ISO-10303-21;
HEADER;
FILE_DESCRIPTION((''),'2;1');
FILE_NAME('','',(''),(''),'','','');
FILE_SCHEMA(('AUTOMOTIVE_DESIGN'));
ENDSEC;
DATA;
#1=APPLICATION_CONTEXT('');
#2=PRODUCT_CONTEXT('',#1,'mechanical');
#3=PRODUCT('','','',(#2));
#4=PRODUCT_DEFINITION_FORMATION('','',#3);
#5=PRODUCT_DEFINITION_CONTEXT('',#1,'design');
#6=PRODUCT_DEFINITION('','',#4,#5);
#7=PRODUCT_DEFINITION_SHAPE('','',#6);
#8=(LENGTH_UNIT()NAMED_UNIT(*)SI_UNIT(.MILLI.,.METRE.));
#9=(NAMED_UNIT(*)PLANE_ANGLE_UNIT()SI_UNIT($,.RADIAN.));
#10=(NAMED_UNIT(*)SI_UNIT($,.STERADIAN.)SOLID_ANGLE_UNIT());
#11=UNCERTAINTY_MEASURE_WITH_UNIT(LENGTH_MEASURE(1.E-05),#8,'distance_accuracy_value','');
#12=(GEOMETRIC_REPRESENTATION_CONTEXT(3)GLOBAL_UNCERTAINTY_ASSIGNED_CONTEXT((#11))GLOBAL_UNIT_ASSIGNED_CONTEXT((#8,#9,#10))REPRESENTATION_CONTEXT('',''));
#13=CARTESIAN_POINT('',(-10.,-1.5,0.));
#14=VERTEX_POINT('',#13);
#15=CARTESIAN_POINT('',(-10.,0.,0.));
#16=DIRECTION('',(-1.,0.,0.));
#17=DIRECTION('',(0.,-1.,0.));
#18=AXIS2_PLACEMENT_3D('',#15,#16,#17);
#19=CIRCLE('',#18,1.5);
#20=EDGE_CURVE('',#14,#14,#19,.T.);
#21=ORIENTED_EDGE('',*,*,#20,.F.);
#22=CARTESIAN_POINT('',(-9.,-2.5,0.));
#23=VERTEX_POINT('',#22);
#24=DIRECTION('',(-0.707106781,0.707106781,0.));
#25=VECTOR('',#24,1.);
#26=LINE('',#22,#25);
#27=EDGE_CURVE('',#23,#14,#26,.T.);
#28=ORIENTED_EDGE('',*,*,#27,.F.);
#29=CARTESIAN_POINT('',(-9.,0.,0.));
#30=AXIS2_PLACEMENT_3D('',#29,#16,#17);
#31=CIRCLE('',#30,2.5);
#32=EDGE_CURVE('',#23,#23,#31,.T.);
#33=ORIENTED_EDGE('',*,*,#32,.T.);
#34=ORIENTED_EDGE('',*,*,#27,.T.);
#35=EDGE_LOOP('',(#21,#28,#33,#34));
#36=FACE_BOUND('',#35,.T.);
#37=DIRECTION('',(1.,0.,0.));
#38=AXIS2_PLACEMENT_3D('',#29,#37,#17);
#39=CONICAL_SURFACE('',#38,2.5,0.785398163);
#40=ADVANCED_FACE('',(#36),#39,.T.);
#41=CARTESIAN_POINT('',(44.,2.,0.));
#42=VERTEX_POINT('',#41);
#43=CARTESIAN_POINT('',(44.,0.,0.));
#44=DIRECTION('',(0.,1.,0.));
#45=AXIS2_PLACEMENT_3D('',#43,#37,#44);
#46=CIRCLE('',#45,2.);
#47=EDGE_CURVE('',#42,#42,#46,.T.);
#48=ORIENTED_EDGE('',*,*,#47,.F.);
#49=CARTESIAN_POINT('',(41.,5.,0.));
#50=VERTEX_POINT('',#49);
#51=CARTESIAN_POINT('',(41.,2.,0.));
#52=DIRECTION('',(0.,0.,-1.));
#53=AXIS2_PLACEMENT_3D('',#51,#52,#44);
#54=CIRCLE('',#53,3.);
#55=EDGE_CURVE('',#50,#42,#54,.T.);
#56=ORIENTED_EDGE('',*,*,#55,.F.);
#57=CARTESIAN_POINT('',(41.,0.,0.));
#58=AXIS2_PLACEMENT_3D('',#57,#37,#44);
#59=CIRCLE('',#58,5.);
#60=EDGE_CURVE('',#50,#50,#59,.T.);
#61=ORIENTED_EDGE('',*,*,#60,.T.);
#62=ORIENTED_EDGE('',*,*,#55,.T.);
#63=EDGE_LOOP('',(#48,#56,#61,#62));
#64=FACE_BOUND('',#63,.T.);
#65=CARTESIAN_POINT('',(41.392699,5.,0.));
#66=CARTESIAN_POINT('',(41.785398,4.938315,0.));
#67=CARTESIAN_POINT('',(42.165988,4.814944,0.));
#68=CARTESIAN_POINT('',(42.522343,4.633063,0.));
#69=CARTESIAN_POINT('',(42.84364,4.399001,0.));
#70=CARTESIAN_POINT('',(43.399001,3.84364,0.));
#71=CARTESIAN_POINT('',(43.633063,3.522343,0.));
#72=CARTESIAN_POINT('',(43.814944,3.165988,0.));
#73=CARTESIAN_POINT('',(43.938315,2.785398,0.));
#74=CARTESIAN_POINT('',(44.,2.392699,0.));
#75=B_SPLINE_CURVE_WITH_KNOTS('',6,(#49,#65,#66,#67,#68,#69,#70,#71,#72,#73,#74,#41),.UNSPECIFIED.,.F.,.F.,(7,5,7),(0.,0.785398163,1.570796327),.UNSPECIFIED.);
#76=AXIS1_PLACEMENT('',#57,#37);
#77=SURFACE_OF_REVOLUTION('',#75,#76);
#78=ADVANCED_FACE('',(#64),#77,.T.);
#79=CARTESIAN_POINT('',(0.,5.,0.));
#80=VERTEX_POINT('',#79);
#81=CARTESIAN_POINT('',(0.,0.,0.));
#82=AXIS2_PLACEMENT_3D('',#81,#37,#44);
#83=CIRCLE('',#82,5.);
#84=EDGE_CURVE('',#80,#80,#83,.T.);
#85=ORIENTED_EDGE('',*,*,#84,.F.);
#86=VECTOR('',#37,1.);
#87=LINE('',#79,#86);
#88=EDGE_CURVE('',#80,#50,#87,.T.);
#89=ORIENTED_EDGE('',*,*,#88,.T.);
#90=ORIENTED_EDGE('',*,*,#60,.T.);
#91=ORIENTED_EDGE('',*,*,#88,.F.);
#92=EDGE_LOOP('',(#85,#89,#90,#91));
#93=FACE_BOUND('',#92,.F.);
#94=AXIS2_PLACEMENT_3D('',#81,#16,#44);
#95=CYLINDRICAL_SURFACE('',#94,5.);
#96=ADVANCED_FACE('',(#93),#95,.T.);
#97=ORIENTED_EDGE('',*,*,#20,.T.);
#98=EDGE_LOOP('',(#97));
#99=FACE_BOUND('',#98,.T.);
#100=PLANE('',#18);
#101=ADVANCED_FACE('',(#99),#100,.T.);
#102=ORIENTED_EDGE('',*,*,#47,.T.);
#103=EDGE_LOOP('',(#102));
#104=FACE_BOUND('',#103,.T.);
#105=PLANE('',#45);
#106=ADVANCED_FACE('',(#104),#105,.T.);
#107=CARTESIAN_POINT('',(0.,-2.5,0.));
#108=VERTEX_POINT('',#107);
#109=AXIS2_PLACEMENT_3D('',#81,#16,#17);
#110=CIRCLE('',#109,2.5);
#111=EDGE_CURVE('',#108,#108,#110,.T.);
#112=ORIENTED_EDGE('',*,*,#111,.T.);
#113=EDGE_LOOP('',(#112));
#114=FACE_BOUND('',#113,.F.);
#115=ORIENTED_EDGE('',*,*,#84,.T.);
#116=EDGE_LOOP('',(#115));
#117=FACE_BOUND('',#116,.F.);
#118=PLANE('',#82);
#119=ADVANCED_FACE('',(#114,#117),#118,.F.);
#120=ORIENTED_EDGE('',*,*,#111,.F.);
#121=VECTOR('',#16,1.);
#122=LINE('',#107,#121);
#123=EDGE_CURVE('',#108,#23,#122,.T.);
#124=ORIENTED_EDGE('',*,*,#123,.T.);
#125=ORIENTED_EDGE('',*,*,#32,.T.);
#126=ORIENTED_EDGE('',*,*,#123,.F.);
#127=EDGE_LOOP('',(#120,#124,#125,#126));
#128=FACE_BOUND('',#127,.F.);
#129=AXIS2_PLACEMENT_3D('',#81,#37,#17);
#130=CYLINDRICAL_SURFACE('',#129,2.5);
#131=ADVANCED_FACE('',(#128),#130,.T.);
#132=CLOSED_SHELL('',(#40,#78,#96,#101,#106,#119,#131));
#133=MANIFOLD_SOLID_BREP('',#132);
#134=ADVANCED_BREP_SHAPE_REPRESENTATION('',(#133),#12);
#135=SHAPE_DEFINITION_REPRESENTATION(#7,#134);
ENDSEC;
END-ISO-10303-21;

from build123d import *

# Parameters (mm, degrees)
F0_R     = 5
F1_DEPTH = 44
F2_R     = 2.5
F3_DEPTH = 10
F4_SIZE  = 1
F5_R     = 3


with BuildPart() as f1:
    # F0 (on Right) → F1 (new body)
    with BuildSketch(Plane.YZ):
        Circle(F0_R)
    extrude(amount=F1_DEPTH)

    # F2 (on face) → F3 (join)
    with BuildSketch(Plane(origin=(0, 0, 0), x_dir=(0, -1, 0), z_dir=(-1, 0, 0))):
        Circle(F2_R)
    extrude(amount=F3_DEPTH)

    # F4
    f4_edges = [f1.edges().sort_by_distance(p)[0] for p in [
        (-10, 2.5, 0),
    ]]
    chamfer(f4_edges, length=F4_SIZE)

    # F5
    f5_edges = [f1.edges().sort_by_distance(p)[0] for p in [
        (44, -5, 0),
    ]]
    fillet(f5_edges, radius=F5_R)


solid = f1.part
